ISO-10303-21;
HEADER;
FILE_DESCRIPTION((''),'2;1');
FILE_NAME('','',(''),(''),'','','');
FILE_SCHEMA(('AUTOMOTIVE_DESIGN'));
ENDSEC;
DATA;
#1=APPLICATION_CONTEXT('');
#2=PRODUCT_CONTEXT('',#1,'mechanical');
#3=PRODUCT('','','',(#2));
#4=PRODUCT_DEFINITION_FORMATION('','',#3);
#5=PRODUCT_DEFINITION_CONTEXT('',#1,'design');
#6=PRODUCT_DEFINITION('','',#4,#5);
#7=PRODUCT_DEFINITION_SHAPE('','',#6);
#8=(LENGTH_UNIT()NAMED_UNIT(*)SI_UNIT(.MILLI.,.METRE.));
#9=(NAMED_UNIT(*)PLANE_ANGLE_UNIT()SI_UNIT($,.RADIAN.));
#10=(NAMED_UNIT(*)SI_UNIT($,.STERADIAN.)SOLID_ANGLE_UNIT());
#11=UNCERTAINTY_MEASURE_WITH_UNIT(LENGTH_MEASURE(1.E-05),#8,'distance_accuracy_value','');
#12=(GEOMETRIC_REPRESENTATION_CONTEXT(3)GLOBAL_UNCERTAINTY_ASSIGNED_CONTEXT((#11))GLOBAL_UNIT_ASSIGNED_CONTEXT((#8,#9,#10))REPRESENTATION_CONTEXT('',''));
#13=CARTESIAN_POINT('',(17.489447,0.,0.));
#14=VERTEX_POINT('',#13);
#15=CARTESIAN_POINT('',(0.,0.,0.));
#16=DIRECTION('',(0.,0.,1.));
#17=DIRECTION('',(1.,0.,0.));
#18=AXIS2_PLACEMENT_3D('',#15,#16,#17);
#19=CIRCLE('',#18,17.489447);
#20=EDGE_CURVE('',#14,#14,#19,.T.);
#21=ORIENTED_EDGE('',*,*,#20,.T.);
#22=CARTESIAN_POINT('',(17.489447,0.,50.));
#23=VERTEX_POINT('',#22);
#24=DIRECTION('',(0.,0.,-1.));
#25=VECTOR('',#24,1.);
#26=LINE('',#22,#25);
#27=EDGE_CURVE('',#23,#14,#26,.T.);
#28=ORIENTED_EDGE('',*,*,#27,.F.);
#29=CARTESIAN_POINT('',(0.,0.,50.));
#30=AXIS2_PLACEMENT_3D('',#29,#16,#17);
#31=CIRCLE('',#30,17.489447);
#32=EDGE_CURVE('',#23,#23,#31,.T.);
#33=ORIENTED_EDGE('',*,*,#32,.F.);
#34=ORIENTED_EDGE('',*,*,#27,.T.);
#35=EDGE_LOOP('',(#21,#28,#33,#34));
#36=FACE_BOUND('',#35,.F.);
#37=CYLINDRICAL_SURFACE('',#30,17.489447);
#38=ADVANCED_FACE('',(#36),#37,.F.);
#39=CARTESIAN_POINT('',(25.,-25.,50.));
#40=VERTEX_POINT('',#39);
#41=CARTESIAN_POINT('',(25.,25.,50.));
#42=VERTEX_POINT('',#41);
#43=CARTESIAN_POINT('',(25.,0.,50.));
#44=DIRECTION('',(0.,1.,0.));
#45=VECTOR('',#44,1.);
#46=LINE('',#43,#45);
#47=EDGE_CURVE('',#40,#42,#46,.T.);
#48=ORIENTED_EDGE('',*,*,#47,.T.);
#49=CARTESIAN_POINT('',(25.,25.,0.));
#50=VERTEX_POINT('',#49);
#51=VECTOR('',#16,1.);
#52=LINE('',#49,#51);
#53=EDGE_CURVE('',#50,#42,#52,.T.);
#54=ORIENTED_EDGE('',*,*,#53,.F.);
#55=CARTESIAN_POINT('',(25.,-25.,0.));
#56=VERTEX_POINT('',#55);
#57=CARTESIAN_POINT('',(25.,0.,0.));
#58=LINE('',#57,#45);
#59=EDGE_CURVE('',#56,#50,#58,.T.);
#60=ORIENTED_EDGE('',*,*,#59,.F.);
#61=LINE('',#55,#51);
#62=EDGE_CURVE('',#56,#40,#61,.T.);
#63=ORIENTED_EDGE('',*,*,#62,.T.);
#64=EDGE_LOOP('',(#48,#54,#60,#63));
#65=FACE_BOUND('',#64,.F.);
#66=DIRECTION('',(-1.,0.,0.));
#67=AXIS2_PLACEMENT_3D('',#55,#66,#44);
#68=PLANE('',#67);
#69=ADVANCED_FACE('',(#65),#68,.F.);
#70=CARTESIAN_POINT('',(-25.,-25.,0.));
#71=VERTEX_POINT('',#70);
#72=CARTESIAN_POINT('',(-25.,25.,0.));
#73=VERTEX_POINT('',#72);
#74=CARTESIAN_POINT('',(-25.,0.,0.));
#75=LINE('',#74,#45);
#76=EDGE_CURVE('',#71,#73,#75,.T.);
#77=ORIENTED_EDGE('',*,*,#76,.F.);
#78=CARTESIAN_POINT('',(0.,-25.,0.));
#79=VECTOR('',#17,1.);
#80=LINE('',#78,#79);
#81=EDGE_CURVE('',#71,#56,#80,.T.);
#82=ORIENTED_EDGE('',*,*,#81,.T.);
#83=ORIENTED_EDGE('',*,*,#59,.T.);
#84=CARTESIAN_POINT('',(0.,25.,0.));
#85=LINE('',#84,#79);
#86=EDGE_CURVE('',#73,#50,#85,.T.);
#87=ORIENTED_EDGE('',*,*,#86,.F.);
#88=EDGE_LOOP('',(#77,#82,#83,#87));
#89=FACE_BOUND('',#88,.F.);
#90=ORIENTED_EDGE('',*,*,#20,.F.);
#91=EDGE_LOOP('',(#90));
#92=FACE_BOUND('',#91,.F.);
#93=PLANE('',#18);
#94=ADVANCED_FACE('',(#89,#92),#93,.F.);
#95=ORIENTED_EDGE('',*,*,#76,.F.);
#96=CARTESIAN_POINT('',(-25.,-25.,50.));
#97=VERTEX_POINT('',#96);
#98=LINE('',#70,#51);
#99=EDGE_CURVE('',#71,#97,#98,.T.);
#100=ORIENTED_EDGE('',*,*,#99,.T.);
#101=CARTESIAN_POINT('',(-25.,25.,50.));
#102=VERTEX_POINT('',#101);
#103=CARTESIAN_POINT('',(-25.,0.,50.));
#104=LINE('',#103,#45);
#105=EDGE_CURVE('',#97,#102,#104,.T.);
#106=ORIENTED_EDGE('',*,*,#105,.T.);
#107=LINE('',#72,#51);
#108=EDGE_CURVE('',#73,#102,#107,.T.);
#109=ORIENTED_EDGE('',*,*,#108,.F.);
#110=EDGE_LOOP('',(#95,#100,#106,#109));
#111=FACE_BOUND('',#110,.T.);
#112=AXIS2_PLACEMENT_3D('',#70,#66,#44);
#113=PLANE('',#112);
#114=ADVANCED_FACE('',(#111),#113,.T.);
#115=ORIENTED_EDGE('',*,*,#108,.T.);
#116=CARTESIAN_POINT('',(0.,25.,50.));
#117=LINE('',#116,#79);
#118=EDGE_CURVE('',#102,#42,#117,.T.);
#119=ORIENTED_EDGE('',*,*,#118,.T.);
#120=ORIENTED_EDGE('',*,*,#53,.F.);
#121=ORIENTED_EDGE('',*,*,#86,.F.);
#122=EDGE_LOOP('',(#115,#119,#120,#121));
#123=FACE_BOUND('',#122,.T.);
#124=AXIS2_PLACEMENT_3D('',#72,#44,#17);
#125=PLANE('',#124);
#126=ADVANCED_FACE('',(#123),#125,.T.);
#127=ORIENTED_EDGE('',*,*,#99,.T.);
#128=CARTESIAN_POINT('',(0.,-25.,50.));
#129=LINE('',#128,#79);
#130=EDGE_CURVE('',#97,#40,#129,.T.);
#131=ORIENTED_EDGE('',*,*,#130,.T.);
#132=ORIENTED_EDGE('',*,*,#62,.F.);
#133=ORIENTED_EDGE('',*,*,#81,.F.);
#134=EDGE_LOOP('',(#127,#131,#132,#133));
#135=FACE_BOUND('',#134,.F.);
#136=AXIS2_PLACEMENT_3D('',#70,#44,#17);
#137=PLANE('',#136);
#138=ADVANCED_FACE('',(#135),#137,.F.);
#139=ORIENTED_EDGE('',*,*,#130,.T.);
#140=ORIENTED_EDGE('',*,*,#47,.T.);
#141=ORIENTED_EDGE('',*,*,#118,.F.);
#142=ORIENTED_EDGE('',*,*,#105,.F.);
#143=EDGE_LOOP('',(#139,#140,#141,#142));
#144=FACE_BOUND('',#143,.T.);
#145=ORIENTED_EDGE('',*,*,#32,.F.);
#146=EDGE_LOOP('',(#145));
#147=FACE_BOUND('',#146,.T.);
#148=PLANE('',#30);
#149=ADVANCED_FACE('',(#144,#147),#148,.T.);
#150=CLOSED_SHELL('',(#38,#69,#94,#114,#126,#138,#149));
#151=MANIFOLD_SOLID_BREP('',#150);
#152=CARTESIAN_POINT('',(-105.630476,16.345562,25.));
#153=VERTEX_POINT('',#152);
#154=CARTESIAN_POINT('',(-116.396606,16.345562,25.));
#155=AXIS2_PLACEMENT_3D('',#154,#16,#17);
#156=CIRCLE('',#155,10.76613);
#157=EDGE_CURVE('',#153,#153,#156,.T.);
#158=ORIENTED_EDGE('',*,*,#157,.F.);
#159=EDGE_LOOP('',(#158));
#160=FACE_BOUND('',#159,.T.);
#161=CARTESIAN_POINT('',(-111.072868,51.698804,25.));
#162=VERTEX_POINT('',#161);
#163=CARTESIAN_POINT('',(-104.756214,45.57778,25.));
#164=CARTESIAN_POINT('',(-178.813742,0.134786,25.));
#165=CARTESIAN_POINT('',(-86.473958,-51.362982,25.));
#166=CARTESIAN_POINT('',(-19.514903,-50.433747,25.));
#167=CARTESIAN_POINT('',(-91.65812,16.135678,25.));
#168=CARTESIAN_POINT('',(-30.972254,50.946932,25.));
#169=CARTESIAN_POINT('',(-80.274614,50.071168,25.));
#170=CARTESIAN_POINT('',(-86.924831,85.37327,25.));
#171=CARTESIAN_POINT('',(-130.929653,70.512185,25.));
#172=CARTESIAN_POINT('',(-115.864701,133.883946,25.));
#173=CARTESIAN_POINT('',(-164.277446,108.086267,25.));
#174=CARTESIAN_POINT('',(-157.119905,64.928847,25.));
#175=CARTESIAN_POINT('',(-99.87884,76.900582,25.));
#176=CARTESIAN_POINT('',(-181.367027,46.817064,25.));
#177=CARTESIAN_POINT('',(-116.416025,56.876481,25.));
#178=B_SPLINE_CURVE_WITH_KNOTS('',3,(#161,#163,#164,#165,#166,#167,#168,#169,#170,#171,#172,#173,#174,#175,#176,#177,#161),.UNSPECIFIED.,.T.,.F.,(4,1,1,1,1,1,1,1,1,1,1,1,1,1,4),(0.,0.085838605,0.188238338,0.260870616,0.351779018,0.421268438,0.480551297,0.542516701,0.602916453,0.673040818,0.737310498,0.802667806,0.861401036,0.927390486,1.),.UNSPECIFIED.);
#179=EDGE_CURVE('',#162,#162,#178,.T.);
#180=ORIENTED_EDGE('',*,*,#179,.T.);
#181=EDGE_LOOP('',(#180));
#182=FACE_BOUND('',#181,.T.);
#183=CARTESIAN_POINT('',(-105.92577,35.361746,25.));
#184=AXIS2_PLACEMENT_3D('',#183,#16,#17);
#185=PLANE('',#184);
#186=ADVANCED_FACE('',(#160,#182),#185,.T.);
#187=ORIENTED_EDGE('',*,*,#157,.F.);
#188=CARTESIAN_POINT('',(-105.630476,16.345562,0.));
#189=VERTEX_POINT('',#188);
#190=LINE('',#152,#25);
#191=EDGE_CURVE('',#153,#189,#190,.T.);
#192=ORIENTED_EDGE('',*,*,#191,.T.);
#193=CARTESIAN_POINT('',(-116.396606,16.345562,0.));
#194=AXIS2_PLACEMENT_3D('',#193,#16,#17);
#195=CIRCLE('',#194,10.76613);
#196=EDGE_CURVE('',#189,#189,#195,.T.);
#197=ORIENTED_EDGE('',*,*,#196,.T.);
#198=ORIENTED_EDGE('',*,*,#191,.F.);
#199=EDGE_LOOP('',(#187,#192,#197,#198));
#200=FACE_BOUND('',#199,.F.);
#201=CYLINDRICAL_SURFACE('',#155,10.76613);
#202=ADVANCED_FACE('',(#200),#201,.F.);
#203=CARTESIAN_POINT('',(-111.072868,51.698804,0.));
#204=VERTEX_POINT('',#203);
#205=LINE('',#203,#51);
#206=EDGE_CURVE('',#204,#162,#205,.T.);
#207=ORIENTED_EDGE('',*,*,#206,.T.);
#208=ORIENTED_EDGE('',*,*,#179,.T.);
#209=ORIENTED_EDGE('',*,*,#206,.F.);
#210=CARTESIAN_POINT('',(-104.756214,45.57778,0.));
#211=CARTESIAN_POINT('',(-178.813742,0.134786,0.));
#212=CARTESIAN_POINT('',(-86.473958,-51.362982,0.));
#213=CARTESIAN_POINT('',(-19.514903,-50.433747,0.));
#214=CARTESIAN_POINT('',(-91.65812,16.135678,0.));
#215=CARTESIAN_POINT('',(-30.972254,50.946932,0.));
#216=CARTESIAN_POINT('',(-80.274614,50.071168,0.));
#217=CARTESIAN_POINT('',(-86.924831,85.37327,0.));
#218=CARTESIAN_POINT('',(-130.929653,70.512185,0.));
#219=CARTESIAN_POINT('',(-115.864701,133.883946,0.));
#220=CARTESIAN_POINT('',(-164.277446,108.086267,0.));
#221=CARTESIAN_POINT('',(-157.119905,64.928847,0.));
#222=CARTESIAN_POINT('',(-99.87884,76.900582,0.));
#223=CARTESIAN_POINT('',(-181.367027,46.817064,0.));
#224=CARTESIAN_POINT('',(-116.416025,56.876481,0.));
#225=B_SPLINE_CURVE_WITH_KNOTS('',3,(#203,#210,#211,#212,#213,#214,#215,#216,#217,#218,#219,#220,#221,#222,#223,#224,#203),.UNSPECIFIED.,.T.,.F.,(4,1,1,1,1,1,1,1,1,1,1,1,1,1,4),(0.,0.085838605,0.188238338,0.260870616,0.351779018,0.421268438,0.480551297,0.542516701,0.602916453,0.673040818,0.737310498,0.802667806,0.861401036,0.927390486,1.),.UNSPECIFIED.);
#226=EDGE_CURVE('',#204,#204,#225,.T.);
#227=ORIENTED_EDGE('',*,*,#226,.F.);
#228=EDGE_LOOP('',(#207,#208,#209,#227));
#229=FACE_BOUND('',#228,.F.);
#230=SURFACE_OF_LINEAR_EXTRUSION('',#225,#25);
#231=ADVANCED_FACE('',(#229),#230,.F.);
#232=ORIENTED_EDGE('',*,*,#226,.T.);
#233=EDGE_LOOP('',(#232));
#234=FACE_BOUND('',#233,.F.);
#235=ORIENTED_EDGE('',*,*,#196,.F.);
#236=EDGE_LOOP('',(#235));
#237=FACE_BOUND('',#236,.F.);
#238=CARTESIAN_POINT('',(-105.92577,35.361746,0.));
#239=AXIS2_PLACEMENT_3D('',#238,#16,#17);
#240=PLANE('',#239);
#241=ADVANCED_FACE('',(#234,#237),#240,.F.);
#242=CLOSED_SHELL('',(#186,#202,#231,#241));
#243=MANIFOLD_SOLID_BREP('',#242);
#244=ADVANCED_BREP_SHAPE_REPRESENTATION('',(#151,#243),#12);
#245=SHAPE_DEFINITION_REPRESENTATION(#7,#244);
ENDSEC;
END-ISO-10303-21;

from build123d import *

# Parameters (mm, degrees)
F0_W     = 50
F0_H     = 50
F1_DEPTH = 50
F2_R     = 17.4894470407
F3_DEPTH = 50
F5_DEPTH = 25
F6_R     = 10.7661301685
F7_DEPTH = 25


with BuildPart() as f1:
    # F0 (on Top) → F1 (new body)
    with BuildSketch(Plane.XY):
        Rectangle(F0_W, F0_H)
    extrude(amount=F1_DEPTH)

    # F2 (on face) → F3 (cut)
    with BuildSketch(Plane.XY.offset(50)):
        Circle(F2_R)
    extrude(amount=-F3_DEPTH, mode=Mode.SUBTRACT)


with BuildPart() as f5:
    # F4 (on Top) → F5 (new body)
    with BuildSketch(Plane.XY):
        with BuildLine():
            add(Edge.make_bspline(
                [(-111.0728681087, 51.6988039017), (-104.7562143443, 45.5777798642), (-178.8137421291, 0.1347862151), (-86.4739578631, -51.3629824717), (-19.51490336, -50.4337468088), (-91.658119822, 16.1356775675), (-30.9722538546, 50.9469316282), (-80.2746137747, 50.0711678299), (-86.9248314187, 85.3732702863), (-130.9296530251, 70.5121851415), (-115.8647007729, 133.8839459806), (-164.2774461062, 108.0862674038), (-157.1199045167, 64.9288469807), (-99.8788403911, 76.9005817574), (-181.367027282, 46.8170636431), (-116.4160253032, 56.8764810141), (-111.0728681087, 51.6988039017)],
                knots=[0, 0, 0, 0, 0.085838605, 0.1882383382, 0.2608706155, 0.3517790183, 0.4212684378, 0.4805512968, 0.5425167011, 0.602916453, 0.6730408183, 0.7373104984, 0.8026678062, 0.8614010356, 0.927390486, 1, 1, 1, 1], degree=3))
        make_face()
    extrude(amount=F5_DEPTH)

    # F6 (on face) → F7 (cut)
    with BuildSketch(Plane.XY.offset(25)):
        with Locations((-116.3966059685, 16.3455624133)):
            Circle(F6_R)
    extrude(amount=-F7_DEPTH, mode=Mode.SUBTRACT)


solid = Compound([f1.part, f5.part])
